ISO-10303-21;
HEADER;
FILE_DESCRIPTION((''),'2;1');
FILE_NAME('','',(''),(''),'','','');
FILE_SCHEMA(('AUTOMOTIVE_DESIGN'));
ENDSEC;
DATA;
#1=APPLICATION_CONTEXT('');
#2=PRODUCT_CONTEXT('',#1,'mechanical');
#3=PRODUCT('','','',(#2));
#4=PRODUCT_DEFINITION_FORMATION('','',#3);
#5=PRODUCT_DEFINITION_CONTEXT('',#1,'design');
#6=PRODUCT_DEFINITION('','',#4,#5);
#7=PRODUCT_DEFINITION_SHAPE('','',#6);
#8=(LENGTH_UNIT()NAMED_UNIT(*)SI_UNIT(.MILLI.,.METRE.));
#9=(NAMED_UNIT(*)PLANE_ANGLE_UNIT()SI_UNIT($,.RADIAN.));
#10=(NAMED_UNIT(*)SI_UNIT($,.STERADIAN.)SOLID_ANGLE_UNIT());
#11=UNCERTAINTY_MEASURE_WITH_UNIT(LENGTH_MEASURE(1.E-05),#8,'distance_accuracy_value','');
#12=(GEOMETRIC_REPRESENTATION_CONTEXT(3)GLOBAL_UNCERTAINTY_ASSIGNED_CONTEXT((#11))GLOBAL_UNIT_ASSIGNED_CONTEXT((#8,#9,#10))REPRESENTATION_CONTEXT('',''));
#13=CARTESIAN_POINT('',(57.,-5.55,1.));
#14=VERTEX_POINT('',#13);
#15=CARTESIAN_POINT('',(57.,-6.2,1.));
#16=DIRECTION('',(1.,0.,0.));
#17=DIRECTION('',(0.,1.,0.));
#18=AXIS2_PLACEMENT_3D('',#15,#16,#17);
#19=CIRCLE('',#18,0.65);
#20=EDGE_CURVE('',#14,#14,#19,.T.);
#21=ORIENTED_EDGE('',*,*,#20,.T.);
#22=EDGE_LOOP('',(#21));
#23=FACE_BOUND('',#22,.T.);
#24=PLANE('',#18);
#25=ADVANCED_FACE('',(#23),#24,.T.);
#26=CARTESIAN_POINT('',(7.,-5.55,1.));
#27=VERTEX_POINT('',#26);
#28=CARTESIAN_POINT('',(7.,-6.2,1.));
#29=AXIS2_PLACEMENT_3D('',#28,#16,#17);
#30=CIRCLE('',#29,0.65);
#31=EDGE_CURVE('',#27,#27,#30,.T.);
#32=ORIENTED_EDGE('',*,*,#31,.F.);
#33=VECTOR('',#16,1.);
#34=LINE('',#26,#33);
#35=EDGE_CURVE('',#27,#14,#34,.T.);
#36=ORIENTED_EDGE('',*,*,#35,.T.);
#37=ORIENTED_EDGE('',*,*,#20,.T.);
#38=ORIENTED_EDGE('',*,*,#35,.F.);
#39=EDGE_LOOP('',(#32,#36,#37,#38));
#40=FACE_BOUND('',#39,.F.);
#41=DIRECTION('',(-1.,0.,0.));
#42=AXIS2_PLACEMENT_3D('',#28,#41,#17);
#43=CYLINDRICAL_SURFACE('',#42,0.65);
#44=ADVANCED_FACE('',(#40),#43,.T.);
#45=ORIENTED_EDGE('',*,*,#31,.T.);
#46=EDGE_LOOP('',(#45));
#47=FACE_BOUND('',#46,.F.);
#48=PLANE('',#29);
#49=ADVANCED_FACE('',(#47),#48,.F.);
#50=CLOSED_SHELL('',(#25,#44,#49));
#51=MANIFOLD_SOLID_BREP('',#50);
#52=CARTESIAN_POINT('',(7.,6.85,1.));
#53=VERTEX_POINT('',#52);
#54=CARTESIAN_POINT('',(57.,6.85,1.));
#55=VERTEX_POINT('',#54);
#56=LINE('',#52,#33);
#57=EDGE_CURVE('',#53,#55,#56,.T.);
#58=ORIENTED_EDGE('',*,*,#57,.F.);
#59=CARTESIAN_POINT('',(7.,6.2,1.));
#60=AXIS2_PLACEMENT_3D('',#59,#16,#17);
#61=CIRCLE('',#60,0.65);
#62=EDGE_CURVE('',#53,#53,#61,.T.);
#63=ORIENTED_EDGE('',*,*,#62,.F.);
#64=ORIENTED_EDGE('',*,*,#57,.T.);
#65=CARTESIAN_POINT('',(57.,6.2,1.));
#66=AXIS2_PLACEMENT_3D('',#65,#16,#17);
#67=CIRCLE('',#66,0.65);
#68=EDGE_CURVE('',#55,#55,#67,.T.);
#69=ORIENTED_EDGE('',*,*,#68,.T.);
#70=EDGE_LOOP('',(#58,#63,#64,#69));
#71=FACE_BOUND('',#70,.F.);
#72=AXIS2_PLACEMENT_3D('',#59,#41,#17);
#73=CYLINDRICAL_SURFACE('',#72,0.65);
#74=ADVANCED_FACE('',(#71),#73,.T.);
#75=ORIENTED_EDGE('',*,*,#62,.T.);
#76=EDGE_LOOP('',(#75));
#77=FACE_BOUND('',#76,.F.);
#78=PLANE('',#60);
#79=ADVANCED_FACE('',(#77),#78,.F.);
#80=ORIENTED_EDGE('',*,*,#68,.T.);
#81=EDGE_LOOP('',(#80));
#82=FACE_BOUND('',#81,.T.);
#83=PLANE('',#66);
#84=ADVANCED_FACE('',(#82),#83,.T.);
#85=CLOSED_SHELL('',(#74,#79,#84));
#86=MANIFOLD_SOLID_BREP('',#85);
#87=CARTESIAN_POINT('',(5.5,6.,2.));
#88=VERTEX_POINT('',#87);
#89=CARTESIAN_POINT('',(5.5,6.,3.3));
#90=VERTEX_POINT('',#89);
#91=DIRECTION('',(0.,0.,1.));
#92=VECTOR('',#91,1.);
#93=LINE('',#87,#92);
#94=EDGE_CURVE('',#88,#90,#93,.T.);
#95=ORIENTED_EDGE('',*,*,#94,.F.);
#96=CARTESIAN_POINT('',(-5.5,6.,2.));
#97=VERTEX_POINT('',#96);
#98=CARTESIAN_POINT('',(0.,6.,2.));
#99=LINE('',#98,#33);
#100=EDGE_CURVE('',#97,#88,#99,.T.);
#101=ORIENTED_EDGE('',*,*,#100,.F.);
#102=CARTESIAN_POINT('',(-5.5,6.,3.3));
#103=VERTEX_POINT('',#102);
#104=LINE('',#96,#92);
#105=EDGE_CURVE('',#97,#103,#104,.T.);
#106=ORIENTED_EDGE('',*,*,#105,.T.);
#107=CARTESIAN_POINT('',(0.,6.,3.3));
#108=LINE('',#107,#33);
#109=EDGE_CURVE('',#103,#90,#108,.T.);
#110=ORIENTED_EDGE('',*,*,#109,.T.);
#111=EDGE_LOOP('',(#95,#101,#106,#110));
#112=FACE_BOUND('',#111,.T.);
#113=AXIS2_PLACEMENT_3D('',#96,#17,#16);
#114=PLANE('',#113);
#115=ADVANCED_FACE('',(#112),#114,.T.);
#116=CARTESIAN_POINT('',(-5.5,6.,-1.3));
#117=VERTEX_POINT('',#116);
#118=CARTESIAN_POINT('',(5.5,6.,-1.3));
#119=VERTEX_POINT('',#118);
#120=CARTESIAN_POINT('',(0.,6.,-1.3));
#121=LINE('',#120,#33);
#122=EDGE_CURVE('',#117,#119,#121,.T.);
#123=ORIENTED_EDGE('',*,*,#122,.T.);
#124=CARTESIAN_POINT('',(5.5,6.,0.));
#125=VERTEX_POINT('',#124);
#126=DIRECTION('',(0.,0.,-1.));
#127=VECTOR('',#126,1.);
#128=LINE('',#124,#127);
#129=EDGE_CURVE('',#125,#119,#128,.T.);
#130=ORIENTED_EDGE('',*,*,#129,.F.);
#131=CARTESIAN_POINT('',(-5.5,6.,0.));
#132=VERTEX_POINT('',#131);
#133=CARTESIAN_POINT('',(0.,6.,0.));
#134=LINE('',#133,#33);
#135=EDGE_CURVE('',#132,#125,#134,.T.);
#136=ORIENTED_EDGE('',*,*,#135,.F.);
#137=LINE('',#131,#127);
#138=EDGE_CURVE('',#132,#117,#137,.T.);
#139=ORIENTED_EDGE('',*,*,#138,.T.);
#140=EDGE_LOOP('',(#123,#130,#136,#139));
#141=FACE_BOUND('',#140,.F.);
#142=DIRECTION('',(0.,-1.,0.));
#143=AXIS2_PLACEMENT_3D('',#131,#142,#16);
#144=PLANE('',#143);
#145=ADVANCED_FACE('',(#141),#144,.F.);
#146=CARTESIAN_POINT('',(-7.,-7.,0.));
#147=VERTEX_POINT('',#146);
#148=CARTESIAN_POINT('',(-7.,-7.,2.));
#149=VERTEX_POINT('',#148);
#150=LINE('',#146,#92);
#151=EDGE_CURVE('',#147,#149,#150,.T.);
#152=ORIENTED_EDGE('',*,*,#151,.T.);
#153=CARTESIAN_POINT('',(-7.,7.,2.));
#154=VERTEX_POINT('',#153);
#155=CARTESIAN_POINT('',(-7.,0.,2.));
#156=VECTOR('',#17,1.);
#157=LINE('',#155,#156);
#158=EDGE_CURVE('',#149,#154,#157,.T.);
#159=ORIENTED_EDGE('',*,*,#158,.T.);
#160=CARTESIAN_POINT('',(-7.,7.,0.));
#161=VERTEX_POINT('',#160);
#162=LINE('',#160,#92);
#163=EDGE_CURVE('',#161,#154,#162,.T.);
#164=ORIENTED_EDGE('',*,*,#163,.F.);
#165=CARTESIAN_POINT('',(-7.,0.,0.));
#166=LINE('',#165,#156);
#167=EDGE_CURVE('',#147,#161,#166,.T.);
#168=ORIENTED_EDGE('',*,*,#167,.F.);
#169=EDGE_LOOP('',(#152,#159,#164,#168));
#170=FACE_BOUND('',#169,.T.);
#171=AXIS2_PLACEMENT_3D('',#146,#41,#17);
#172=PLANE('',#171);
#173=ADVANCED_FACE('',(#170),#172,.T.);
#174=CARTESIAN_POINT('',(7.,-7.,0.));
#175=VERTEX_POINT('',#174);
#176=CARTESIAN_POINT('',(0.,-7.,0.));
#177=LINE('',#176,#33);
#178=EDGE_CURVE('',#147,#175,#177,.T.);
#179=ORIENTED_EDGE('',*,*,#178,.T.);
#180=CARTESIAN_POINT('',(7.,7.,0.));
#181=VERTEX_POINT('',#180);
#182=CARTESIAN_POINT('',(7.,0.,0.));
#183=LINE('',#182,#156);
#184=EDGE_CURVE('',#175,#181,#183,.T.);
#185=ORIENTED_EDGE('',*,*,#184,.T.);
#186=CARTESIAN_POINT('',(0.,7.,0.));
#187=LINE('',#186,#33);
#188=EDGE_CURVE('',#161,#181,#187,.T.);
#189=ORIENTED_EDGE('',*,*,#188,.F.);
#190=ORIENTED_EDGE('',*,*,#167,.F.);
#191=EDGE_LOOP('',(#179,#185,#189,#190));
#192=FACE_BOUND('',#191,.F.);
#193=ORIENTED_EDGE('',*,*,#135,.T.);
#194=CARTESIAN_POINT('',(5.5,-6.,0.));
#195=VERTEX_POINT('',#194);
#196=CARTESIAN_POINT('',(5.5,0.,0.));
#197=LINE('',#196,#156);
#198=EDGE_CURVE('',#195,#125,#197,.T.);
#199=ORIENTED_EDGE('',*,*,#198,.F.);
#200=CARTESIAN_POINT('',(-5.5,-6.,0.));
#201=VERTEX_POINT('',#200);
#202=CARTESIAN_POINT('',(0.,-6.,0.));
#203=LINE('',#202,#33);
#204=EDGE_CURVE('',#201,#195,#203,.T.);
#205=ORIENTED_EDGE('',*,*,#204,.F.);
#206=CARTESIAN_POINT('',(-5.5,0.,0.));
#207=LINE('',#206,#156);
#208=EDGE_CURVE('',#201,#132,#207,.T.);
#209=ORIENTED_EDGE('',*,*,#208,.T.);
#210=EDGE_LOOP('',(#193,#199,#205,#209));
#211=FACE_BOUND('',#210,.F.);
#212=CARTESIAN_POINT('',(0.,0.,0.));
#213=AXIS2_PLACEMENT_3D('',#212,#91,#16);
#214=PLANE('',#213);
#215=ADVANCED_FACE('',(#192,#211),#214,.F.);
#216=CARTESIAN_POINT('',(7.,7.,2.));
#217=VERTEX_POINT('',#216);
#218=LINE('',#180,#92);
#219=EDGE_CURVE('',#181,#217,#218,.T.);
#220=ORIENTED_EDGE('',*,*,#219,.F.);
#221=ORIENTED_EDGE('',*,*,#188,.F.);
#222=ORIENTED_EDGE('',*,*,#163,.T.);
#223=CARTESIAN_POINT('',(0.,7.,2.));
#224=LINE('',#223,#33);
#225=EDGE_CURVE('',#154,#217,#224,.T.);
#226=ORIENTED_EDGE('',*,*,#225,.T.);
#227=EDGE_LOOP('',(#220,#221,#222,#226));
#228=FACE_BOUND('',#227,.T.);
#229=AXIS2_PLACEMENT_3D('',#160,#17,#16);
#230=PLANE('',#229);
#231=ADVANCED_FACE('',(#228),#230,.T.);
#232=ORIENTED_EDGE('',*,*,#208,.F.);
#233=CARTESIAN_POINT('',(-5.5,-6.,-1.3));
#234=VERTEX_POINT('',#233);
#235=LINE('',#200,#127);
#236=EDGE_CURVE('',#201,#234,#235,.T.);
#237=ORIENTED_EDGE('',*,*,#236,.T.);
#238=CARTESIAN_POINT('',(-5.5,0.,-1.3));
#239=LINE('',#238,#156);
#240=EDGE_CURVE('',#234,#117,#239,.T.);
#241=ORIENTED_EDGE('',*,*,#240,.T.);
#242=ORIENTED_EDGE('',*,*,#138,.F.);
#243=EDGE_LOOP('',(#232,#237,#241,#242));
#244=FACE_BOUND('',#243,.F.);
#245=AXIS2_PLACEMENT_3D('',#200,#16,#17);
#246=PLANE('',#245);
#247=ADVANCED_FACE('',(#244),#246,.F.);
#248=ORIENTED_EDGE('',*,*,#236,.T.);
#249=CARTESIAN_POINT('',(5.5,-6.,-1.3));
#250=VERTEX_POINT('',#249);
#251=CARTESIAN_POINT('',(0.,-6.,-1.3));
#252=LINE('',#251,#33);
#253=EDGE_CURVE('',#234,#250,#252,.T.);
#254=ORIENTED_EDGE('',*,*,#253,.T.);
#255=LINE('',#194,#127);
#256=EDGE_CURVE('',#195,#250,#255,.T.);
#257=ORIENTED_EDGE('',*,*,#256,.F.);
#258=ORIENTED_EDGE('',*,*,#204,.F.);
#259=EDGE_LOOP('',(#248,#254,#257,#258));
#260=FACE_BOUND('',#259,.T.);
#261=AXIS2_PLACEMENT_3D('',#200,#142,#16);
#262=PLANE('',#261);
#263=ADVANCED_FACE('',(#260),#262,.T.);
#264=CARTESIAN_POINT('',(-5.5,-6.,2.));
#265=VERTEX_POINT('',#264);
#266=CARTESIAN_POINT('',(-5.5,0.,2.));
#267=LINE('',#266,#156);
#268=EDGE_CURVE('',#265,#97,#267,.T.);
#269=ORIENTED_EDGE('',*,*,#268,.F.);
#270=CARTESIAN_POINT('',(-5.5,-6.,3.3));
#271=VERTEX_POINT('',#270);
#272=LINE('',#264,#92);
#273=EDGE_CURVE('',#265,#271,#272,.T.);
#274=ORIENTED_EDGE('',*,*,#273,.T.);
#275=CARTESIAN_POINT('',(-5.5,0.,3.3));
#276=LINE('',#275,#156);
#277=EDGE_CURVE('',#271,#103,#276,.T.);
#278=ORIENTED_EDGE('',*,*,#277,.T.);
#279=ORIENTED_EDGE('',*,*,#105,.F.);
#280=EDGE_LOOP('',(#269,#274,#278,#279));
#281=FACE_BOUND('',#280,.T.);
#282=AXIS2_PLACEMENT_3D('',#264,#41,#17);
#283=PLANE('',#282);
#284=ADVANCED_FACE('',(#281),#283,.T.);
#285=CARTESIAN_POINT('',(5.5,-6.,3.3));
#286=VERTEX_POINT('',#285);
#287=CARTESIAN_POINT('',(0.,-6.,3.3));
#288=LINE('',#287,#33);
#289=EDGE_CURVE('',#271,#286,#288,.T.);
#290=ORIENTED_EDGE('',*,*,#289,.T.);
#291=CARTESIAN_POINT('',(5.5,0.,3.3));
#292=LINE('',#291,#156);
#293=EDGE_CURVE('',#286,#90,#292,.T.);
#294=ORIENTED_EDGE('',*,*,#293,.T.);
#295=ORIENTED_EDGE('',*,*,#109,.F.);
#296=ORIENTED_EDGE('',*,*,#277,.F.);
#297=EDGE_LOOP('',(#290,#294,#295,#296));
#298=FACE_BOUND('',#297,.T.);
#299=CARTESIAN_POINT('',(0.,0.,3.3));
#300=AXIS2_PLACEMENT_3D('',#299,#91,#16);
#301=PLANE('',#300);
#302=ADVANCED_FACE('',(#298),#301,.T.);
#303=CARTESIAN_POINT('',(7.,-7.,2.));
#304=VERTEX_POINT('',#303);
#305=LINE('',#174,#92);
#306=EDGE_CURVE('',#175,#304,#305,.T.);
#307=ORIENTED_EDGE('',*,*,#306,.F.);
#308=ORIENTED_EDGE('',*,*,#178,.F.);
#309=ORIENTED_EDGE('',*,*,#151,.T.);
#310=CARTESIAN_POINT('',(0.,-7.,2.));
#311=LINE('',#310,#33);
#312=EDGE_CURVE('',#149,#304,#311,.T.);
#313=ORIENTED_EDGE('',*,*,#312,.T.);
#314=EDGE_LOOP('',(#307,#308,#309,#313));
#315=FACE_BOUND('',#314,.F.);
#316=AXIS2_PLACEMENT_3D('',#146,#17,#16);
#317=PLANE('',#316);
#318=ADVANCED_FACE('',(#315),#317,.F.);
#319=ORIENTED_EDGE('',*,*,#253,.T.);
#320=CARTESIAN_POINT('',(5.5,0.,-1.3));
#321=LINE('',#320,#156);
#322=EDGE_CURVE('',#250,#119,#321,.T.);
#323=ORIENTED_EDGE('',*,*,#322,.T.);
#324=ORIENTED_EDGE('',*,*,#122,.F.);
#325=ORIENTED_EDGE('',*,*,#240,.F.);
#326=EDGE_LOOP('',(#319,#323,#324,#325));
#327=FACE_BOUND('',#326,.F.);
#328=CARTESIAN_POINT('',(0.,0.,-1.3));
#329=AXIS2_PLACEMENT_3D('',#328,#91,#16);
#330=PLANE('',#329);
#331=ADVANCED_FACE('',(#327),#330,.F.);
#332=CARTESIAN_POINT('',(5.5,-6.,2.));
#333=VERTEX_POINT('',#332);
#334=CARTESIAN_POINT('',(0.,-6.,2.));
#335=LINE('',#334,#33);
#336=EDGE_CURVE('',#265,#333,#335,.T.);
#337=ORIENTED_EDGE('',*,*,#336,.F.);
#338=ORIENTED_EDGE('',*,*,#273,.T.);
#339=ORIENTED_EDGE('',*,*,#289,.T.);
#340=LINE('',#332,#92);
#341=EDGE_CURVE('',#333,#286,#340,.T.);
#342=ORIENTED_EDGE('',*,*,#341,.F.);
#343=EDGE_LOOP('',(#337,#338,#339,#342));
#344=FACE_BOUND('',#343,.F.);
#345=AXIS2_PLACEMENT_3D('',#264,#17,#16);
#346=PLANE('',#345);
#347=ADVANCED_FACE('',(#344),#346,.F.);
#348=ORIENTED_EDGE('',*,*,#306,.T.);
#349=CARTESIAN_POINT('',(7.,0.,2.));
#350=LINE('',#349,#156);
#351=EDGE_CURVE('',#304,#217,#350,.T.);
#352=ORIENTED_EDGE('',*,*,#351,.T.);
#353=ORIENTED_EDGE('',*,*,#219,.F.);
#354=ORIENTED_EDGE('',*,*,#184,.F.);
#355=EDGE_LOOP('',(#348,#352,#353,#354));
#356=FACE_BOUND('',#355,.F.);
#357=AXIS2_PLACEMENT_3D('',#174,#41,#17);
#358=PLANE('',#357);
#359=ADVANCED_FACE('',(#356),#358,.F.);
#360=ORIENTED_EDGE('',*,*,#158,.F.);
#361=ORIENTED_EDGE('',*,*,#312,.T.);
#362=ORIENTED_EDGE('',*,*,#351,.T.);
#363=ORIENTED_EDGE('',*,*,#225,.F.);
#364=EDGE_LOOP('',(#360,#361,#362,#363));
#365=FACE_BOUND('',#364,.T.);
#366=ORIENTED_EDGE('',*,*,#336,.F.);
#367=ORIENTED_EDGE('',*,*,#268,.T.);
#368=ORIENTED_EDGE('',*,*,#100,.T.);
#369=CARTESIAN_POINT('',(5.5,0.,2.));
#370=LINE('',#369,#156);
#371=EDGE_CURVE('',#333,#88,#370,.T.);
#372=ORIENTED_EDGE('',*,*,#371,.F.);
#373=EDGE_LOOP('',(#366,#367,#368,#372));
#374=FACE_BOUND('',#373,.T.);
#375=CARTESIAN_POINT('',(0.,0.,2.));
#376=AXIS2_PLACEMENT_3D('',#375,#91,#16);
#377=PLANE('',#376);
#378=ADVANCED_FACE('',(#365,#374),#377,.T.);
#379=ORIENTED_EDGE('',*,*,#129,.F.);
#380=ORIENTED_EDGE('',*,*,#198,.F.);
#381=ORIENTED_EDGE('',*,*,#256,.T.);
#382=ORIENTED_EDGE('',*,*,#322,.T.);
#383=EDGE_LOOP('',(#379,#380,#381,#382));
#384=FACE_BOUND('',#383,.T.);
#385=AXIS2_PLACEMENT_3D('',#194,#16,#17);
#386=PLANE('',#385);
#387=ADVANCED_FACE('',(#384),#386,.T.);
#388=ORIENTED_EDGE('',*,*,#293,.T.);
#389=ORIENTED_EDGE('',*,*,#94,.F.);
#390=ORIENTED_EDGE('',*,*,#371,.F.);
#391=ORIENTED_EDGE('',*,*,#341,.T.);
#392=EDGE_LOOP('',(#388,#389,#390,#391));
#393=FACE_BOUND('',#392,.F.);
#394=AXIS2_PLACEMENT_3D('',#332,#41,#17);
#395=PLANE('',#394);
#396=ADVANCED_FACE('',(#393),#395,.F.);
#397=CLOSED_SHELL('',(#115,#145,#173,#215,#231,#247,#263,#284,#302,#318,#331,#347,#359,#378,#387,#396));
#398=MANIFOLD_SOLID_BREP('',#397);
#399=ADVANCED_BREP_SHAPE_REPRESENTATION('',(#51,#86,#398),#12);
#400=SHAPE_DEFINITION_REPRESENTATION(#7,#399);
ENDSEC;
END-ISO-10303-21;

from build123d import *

# Parameters (mm, degrees)
F0_W     = 11
F0_H     = 12
F1_DEPTH = 1.3
F2_W     = 14
F2_H     = 14
F3_DEPTH = 2
F4_W     = 11
F4_H     = 12
F5_DEPTH = 1.3
F6_R     = 0.65
F7_DEPTH = 50


with BuildPart() as f1:
    # F0 (on Top) → F1 (new body)
    with BuildSketch(Plane.XY):
        Rectangle(F0_W, F0_H)
    extrude(amount=-F1_DEPTH)

    # F2 (on face) → F3 (join)
    with BuildSketch(Plane.XY):
        Rectangle(F2_W, F2_H)
    extrude(amount=F3_DEPTH)

    # F4 (on face) → F5 (join)
    with BuildSketch(Plane.XY.offset(2)):
        Rectangle(F4_W, F4_H)
    extrude(amount=F5_DEPTH)


with BuildPart() as f7:
    # F6 (on face) → F7 (new body)
    with BuildSketch(Plane.YZ.offset(7)):
        with Locations((-6.2, 1)):
            Circle(F6_R)
        with Locations((6.2, 1)):
            Circle(F6_R)
    extrude(amount=F7_DEPTH)


solid = Compound([f1.part, f7.part])
